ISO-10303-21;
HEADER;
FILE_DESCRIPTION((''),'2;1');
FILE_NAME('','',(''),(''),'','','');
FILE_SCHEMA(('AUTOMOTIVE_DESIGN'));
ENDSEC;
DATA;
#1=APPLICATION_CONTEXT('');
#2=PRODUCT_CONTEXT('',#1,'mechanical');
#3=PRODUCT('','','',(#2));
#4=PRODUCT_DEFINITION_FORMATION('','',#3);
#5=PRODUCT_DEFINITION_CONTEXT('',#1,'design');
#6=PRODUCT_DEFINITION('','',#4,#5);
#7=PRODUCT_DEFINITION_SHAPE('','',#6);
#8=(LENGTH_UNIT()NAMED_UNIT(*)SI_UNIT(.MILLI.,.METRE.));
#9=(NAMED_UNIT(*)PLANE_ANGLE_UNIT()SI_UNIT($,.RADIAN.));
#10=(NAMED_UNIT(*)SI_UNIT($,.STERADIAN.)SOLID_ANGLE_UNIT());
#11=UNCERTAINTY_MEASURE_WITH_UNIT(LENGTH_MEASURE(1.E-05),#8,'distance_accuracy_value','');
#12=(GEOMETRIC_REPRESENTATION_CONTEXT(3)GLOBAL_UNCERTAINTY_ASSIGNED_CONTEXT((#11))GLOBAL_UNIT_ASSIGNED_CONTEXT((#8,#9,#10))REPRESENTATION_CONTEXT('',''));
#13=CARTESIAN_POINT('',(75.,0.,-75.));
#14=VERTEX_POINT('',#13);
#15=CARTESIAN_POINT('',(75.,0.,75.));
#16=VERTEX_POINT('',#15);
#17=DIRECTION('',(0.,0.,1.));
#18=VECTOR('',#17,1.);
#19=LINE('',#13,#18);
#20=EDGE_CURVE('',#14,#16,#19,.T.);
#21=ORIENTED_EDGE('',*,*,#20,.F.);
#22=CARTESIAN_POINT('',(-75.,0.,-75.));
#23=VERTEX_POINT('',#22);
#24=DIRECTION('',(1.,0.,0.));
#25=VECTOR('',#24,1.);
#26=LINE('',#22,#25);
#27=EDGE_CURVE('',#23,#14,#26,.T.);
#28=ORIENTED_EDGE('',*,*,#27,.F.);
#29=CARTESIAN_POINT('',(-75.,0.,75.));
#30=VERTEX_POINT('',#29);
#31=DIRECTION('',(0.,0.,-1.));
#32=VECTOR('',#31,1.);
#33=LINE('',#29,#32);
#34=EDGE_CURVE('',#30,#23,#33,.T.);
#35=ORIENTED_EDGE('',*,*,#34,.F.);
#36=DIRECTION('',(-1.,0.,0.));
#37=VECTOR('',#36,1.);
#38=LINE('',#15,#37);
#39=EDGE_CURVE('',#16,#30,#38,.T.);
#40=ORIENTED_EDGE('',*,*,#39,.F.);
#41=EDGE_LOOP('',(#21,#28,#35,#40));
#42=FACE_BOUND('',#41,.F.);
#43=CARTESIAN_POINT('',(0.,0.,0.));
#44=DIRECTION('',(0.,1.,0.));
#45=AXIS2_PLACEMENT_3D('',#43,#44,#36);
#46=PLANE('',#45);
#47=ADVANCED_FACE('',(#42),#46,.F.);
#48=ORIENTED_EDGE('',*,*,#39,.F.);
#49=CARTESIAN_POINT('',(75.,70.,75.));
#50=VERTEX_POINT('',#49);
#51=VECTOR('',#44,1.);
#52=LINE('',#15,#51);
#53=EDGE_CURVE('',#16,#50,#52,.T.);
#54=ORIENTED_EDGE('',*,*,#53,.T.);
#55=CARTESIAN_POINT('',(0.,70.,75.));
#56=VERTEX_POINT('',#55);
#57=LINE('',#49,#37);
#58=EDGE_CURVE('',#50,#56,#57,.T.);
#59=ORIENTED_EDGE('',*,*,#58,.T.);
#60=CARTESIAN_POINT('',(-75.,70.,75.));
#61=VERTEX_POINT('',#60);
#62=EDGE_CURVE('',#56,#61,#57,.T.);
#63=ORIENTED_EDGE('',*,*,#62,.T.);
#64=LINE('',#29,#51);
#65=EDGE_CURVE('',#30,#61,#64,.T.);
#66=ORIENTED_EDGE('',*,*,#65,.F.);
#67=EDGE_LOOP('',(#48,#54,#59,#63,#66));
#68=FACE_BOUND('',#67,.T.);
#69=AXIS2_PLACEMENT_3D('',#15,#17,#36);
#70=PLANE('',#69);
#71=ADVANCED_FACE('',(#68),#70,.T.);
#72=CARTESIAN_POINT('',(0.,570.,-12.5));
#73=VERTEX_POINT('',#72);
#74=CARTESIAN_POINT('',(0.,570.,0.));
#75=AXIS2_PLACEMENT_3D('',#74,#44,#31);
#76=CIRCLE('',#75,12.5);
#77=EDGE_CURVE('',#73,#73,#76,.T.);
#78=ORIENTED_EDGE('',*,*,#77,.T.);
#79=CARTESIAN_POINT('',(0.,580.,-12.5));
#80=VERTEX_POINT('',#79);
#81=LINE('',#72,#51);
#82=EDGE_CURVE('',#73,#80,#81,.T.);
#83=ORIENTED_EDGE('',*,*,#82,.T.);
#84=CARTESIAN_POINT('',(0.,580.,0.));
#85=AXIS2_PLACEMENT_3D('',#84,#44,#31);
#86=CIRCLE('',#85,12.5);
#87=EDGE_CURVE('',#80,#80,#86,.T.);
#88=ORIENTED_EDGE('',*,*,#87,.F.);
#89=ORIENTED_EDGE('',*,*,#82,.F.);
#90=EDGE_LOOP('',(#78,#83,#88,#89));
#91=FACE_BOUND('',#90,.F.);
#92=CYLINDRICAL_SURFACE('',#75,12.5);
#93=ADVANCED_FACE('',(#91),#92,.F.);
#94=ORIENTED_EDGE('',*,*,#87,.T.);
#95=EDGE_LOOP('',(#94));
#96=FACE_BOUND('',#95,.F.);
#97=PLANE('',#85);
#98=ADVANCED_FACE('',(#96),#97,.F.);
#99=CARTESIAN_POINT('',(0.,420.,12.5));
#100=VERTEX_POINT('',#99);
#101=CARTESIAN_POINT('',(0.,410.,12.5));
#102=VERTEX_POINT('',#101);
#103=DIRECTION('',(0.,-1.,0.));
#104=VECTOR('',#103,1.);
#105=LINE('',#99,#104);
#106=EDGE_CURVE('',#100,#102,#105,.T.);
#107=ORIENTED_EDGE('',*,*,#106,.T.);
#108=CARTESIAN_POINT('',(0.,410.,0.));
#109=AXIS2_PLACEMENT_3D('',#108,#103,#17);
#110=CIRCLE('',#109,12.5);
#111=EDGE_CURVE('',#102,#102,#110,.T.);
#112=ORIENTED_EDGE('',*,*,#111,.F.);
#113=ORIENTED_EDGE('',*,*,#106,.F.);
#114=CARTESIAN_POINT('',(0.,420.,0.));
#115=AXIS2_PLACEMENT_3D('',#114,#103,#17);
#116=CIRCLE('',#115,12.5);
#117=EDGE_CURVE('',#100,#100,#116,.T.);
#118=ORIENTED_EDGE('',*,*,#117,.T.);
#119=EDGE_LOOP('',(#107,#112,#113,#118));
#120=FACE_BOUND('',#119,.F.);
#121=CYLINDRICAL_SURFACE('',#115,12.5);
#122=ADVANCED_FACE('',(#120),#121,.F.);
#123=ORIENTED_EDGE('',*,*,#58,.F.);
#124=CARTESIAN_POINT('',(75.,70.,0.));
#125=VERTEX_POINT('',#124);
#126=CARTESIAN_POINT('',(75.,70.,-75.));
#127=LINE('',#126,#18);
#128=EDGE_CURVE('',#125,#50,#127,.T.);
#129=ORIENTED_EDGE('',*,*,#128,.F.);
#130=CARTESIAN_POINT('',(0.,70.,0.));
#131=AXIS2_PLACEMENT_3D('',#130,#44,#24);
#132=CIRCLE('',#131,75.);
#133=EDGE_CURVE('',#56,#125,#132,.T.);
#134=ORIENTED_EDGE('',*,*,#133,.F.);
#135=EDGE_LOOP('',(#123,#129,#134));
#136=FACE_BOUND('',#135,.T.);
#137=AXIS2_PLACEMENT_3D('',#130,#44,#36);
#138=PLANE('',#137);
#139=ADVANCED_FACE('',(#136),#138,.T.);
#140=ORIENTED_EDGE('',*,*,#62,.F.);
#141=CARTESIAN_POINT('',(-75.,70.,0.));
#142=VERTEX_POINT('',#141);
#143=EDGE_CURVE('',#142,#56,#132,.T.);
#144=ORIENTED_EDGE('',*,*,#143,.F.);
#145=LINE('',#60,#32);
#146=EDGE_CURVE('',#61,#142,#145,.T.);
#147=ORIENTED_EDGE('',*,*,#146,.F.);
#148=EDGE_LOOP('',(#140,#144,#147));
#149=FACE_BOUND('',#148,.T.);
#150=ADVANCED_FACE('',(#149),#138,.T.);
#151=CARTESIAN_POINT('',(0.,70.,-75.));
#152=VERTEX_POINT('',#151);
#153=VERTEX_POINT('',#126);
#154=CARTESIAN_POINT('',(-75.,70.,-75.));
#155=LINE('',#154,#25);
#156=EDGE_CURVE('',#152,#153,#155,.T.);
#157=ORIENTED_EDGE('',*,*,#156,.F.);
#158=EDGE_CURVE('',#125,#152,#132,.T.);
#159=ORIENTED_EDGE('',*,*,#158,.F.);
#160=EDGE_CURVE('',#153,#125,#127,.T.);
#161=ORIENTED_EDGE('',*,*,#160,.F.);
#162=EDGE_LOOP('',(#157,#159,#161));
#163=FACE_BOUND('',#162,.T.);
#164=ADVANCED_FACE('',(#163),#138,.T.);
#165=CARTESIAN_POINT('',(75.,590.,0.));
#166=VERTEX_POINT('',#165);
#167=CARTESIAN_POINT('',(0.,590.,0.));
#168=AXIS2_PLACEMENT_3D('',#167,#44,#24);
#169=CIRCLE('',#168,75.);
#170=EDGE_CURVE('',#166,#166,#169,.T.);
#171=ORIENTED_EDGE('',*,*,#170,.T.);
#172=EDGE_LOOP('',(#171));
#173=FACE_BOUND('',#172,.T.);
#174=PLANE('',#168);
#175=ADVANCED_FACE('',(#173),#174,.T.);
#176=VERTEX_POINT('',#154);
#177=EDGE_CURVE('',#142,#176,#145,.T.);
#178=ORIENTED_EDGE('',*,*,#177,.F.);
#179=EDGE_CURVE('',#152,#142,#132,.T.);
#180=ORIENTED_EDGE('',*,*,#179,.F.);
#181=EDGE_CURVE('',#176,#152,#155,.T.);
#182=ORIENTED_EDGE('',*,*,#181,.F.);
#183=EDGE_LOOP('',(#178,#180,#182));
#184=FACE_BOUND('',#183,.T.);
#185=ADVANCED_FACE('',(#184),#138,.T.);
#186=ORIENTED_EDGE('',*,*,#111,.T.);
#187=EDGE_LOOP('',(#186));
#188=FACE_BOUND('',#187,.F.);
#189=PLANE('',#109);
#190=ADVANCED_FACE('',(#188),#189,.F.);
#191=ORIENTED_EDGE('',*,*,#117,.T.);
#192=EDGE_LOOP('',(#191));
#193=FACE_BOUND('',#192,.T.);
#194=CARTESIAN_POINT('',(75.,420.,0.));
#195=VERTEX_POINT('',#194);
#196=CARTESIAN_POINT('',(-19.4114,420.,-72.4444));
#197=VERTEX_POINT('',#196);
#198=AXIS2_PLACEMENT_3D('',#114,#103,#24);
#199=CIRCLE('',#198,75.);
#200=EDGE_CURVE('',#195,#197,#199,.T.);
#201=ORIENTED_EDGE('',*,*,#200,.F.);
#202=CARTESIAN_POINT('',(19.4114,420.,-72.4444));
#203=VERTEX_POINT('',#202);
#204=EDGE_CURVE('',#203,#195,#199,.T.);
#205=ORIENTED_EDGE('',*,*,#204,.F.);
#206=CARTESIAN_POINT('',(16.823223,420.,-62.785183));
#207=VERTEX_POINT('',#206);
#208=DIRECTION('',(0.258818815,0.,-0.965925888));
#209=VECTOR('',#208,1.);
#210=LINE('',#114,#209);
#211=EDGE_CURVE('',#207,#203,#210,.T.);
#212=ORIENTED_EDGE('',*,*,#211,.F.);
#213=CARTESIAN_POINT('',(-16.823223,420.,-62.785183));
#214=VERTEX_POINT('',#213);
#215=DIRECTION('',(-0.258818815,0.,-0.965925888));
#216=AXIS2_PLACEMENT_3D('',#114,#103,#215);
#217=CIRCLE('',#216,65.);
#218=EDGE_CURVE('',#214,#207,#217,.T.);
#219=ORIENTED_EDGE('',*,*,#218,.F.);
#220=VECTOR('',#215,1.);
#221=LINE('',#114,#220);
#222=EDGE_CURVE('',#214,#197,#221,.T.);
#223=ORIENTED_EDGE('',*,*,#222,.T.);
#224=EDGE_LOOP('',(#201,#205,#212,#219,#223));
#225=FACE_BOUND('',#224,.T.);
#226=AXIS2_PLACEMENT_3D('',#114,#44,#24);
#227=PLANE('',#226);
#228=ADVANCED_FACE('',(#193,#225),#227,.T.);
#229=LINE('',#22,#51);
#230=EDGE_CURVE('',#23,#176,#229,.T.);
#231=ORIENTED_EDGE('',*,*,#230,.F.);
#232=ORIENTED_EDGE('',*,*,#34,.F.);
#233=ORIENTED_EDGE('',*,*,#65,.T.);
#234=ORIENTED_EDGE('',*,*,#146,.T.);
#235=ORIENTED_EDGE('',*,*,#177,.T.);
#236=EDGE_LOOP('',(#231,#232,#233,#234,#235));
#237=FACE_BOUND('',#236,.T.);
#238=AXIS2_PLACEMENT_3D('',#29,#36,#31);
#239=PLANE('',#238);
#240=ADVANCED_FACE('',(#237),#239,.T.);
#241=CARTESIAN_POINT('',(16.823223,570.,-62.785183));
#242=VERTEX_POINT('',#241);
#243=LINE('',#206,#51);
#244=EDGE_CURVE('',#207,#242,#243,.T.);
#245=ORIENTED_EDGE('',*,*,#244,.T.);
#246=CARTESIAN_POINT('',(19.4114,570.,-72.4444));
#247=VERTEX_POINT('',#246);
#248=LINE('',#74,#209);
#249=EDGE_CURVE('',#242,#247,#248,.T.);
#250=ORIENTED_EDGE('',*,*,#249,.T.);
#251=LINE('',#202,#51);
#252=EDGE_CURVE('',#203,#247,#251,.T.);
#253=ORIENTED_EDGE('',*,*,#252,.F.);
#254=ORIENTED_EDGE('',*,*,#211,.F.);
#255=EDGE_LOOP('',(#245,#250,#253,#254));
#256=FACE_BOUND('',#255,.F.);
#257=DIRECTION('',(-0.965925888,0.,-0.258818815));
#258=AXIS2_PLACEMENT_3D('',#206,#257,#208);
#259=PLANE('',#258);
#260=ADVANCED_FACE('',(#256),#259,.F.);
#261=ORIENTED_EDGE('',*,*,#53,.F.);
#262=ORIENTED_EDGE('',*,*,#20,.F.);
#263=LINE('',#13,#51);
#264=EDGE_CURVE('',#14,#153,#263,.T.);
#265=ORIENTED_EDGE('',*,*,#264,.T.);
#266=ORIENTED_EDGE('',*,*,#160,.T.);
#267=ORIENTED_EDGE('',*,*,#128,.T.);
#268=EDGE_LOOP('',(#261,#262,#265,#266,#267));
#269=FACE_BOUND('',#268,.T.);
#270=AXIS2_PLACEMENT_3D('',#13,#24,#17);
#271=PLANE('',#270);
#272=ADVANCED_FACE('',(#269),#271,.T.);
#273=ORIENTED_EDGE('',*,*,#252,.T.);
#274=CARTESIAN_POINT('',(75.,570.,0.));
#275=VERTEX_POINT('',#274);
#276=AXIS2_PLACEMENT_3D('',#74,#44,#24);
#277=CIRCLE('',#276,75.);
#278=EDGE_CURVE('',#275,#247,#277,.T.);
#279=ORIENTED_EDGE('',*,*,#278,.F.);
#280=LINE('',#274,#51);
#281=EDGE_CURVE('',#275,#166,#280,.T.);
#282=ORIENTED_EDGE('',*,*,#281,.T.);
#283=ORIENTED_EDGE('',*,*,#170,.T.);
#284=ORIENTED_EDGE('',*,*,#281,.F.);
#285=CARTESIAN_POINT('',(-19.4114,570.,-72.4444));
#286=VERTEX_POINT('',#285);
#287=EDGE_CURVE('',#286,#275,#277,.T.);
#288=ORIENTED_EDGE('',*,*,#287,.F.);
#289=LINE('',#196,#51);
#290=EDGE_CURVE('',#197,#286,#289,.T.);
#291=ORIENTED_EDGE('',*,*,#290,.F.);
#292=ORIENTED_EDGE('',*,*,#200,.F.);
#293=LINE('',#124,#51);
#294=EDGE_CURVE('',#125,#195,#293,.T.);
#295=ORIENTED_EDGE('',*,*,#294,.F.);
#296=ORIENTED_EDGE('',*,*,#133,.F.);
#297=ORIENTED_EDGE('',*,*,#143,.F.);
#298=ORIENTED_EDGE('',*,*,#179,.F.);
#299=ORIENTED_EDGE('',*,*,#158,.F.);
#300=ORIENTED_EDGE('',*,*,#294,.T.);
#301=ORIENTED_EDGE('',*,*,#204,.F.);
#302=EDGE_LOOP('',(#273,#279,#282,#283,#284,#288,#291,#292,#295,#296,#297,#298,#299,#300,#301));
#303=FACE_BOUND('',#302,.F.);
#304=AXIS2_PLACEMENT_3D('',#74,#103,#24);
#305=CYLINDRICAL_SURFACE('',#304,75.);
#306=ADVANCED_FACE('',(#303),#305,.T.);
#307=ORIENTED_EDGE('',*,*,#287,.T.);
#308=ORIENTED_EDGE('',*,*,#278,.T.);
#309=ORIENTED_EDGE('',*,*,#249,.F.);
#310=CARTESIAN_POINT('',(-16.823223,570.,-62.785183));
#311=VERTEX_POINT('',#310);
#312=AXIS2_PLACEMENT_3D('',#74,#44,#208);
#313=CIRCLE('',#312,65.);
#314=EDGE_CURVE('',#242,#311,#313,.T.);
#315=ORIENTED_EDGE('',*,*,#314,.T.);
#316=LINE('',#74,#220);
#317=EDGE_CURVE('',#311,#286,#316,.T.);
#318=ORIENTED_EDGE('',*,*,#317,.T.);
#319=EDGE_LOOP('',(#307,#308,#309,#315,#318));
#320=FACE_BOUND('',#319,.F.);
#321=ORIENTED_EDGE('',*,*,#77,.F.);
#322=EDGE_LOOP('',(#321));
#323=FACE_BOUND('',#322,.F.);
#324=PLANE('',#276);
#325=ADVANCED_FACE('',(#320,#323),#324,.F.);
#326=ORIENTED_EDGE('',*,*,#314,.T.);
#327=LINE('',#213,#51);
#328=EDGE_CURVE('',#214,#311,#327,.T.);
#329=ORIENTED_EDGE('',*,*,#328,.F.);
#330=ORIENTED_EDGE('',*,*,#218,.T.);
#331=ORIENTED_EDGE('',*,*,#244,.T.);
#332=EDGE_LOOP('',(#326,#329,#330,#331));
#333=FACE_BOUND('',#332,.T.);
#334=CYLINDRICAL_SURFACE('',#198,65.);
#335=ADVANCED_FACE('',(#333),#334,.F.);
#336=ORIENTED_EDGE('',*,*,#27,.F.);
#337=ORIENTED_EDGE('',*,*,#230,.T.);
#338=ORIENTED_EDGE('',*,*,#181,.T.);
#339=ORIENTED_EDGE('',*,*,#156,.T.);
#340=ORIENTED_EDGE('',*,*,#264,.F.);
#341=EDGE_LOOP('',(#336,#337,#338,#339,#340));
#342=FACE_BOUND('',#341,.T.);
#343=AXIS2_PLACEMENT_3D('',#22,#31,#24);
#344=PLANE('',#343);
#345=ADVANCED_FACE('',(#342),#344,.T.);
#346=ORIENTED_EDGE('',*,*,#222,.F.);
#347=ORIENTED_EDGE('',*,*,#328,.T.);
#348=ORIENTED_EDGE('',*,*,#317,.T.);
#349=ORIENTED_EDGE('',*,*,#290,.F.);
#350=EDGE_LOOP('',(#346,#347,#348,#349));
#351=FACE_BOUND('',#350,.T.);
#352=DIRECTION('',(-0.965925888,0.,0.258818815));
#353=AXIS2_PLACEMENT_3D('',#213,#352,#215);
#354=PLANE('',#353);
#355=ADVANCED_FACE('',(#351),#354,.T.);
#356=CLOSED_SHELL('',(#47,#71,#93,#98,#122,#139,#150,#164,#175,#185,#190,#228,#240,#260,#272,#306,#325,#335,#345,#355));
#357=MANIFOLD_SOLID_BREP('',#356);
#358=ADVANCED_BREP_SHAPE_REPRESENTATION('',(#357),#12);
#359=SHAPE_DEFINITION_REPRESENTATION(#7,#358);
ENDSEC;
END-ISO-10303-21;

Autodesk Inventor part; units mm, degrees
ref_plane "YZ Plane" through (0, 0, 0) normal (1, 0, 0) x (0, 1, 0)
ref_plane "XZ Plane" through (0, 0, 0) normal (0, 1, 0) x (-1, 0, 0)
ref_plane "XY Plane" through (0, 0, 0) normal (0, 0, 1) x (1, 0, 0)
sketch "Szkic1" plane through (0, 0, 0) normal (0, 1, 0) x (-1, 0, 0)
  line L0 (-75, 75) -> (75, 75)
  line L1 (75, 75) -> (75, -75)
  line L2 (75, -75) -> (-75, -75)
  line L3 (-75, -75) -> (-75, 75)
  line L4 (-75, 75) -> (75, -75) construction
  line L5 (75, 75) -> (-75, -75) construction
  point P0 (0, 0)
  dimension "d0" = 150
  dimension "d1" = 150
extrude "Wyciągnięcie proste1" add sketch "Szkic1" along normal blind 70
sketch "Szkic2" plane through (0, 70, 0) normal (0, 1, 0) x (1, 0, 0)
  line L0 (-75, 75) -> (-75, -75) projected
  line L1 (75, 75) -> (-75, 75) projected
  line L2 (75, -75) -> (75, 75) projected
  line L3 (75, 75) -> (-75, 75) projected
  line L4 (-75, 75) -> (-75, -75) projected
  line L5 (-75, -75) -> (75, -75) projected
  line L6 (75, -75) -> (75, 75) projected
  circle A0 centre (0, 0) radius 75
  dimension "d4" = 150
extrude "Wyciągnięcie proste2" add sketch "Szkic2" along normal blind 350 contours A0
sketch "Szkic3" plane through (0, 420, 0) normal (0, 1, 0) x (1, 0, 0)
  circle A0 centre (0, 0) radius 75 projected
  circle A1 centre (0, 0) radius 65
  line L0 (0, 0) -> (-19.4114, 72.4444)
  line L1 (0, 0) -> (19.4114, 72.4444)
  arc A2 (75, 0) -> (0, 75) centre (0, 0) ccw projected
  line L2 (0, 0) -> (0, 75)
  line L3 (75, 75) -> (-75, 75) projected
  point P0 (-16.8232, 62.7852)
  point P1 (16.8232, 62.7852)
  dimension "d7" = 130
  dimension "d8" = 15
  dimension "d9" = 15
extrude "Wyciągnięcie proste3" add sketch "Szkic3" along normal blind 150 contours L1 A1 L2 A0 | A0 L2 A1 L0
sketch "Szkic4" plane through (0, 570, 0) normal (0, 1, 0) x (1, 0, 0)
  circle A0 centre (0, 0) radius 75
  dimension "d12" = 150
extrude "Wyciągnięcie proste4" add sketch "Szkic4" along normal blind 20
sketch "Szkic5" plane through (0, 420, 0) normal (0, 1, 0) x (1, 0, 0)
  circle A0 centre (0, 0) radius 12.5
  dimension "d15" = 25
sketch "Szkic6" plane through (0, 570, 0) normal (0, -1, 0) x (1, 0, 0)
  circle A0 centre (0, 0) radius 12.5
  dimension "d18" = 25
hole "Otwór1" at (0, 420, 0) direction (0, -1, 0) diameter 25 depth 10
hole "Otwór2" at (0, 570, 0) direction (0, 1, 0) diameter 25 depth 10
equation "\"PromieńGięcia\" = Grubość"
equation "\"SzerokośćGięciaPodcięcia\" = Grubość"
equation "\"GłębokośćGięciaPodcięcia\" = 0.5 * Grubość"
equation "\"RozmiarPodcięciaNarożnika\" = 4 * Grubość"
equation "\"MinimalnaPozostałość\" = 2 * Grubość"
equation "\"PromieńPrzejścia\" = PromieńGięcia"
equation "\"Rozmiar_promienia_Jacobiego\" = PromieńGięcia"
equation "\"Wielk_odstępu\" = Grubość"
equation "\"Grubość\" = 0.5"
properties part number "1przegub"
